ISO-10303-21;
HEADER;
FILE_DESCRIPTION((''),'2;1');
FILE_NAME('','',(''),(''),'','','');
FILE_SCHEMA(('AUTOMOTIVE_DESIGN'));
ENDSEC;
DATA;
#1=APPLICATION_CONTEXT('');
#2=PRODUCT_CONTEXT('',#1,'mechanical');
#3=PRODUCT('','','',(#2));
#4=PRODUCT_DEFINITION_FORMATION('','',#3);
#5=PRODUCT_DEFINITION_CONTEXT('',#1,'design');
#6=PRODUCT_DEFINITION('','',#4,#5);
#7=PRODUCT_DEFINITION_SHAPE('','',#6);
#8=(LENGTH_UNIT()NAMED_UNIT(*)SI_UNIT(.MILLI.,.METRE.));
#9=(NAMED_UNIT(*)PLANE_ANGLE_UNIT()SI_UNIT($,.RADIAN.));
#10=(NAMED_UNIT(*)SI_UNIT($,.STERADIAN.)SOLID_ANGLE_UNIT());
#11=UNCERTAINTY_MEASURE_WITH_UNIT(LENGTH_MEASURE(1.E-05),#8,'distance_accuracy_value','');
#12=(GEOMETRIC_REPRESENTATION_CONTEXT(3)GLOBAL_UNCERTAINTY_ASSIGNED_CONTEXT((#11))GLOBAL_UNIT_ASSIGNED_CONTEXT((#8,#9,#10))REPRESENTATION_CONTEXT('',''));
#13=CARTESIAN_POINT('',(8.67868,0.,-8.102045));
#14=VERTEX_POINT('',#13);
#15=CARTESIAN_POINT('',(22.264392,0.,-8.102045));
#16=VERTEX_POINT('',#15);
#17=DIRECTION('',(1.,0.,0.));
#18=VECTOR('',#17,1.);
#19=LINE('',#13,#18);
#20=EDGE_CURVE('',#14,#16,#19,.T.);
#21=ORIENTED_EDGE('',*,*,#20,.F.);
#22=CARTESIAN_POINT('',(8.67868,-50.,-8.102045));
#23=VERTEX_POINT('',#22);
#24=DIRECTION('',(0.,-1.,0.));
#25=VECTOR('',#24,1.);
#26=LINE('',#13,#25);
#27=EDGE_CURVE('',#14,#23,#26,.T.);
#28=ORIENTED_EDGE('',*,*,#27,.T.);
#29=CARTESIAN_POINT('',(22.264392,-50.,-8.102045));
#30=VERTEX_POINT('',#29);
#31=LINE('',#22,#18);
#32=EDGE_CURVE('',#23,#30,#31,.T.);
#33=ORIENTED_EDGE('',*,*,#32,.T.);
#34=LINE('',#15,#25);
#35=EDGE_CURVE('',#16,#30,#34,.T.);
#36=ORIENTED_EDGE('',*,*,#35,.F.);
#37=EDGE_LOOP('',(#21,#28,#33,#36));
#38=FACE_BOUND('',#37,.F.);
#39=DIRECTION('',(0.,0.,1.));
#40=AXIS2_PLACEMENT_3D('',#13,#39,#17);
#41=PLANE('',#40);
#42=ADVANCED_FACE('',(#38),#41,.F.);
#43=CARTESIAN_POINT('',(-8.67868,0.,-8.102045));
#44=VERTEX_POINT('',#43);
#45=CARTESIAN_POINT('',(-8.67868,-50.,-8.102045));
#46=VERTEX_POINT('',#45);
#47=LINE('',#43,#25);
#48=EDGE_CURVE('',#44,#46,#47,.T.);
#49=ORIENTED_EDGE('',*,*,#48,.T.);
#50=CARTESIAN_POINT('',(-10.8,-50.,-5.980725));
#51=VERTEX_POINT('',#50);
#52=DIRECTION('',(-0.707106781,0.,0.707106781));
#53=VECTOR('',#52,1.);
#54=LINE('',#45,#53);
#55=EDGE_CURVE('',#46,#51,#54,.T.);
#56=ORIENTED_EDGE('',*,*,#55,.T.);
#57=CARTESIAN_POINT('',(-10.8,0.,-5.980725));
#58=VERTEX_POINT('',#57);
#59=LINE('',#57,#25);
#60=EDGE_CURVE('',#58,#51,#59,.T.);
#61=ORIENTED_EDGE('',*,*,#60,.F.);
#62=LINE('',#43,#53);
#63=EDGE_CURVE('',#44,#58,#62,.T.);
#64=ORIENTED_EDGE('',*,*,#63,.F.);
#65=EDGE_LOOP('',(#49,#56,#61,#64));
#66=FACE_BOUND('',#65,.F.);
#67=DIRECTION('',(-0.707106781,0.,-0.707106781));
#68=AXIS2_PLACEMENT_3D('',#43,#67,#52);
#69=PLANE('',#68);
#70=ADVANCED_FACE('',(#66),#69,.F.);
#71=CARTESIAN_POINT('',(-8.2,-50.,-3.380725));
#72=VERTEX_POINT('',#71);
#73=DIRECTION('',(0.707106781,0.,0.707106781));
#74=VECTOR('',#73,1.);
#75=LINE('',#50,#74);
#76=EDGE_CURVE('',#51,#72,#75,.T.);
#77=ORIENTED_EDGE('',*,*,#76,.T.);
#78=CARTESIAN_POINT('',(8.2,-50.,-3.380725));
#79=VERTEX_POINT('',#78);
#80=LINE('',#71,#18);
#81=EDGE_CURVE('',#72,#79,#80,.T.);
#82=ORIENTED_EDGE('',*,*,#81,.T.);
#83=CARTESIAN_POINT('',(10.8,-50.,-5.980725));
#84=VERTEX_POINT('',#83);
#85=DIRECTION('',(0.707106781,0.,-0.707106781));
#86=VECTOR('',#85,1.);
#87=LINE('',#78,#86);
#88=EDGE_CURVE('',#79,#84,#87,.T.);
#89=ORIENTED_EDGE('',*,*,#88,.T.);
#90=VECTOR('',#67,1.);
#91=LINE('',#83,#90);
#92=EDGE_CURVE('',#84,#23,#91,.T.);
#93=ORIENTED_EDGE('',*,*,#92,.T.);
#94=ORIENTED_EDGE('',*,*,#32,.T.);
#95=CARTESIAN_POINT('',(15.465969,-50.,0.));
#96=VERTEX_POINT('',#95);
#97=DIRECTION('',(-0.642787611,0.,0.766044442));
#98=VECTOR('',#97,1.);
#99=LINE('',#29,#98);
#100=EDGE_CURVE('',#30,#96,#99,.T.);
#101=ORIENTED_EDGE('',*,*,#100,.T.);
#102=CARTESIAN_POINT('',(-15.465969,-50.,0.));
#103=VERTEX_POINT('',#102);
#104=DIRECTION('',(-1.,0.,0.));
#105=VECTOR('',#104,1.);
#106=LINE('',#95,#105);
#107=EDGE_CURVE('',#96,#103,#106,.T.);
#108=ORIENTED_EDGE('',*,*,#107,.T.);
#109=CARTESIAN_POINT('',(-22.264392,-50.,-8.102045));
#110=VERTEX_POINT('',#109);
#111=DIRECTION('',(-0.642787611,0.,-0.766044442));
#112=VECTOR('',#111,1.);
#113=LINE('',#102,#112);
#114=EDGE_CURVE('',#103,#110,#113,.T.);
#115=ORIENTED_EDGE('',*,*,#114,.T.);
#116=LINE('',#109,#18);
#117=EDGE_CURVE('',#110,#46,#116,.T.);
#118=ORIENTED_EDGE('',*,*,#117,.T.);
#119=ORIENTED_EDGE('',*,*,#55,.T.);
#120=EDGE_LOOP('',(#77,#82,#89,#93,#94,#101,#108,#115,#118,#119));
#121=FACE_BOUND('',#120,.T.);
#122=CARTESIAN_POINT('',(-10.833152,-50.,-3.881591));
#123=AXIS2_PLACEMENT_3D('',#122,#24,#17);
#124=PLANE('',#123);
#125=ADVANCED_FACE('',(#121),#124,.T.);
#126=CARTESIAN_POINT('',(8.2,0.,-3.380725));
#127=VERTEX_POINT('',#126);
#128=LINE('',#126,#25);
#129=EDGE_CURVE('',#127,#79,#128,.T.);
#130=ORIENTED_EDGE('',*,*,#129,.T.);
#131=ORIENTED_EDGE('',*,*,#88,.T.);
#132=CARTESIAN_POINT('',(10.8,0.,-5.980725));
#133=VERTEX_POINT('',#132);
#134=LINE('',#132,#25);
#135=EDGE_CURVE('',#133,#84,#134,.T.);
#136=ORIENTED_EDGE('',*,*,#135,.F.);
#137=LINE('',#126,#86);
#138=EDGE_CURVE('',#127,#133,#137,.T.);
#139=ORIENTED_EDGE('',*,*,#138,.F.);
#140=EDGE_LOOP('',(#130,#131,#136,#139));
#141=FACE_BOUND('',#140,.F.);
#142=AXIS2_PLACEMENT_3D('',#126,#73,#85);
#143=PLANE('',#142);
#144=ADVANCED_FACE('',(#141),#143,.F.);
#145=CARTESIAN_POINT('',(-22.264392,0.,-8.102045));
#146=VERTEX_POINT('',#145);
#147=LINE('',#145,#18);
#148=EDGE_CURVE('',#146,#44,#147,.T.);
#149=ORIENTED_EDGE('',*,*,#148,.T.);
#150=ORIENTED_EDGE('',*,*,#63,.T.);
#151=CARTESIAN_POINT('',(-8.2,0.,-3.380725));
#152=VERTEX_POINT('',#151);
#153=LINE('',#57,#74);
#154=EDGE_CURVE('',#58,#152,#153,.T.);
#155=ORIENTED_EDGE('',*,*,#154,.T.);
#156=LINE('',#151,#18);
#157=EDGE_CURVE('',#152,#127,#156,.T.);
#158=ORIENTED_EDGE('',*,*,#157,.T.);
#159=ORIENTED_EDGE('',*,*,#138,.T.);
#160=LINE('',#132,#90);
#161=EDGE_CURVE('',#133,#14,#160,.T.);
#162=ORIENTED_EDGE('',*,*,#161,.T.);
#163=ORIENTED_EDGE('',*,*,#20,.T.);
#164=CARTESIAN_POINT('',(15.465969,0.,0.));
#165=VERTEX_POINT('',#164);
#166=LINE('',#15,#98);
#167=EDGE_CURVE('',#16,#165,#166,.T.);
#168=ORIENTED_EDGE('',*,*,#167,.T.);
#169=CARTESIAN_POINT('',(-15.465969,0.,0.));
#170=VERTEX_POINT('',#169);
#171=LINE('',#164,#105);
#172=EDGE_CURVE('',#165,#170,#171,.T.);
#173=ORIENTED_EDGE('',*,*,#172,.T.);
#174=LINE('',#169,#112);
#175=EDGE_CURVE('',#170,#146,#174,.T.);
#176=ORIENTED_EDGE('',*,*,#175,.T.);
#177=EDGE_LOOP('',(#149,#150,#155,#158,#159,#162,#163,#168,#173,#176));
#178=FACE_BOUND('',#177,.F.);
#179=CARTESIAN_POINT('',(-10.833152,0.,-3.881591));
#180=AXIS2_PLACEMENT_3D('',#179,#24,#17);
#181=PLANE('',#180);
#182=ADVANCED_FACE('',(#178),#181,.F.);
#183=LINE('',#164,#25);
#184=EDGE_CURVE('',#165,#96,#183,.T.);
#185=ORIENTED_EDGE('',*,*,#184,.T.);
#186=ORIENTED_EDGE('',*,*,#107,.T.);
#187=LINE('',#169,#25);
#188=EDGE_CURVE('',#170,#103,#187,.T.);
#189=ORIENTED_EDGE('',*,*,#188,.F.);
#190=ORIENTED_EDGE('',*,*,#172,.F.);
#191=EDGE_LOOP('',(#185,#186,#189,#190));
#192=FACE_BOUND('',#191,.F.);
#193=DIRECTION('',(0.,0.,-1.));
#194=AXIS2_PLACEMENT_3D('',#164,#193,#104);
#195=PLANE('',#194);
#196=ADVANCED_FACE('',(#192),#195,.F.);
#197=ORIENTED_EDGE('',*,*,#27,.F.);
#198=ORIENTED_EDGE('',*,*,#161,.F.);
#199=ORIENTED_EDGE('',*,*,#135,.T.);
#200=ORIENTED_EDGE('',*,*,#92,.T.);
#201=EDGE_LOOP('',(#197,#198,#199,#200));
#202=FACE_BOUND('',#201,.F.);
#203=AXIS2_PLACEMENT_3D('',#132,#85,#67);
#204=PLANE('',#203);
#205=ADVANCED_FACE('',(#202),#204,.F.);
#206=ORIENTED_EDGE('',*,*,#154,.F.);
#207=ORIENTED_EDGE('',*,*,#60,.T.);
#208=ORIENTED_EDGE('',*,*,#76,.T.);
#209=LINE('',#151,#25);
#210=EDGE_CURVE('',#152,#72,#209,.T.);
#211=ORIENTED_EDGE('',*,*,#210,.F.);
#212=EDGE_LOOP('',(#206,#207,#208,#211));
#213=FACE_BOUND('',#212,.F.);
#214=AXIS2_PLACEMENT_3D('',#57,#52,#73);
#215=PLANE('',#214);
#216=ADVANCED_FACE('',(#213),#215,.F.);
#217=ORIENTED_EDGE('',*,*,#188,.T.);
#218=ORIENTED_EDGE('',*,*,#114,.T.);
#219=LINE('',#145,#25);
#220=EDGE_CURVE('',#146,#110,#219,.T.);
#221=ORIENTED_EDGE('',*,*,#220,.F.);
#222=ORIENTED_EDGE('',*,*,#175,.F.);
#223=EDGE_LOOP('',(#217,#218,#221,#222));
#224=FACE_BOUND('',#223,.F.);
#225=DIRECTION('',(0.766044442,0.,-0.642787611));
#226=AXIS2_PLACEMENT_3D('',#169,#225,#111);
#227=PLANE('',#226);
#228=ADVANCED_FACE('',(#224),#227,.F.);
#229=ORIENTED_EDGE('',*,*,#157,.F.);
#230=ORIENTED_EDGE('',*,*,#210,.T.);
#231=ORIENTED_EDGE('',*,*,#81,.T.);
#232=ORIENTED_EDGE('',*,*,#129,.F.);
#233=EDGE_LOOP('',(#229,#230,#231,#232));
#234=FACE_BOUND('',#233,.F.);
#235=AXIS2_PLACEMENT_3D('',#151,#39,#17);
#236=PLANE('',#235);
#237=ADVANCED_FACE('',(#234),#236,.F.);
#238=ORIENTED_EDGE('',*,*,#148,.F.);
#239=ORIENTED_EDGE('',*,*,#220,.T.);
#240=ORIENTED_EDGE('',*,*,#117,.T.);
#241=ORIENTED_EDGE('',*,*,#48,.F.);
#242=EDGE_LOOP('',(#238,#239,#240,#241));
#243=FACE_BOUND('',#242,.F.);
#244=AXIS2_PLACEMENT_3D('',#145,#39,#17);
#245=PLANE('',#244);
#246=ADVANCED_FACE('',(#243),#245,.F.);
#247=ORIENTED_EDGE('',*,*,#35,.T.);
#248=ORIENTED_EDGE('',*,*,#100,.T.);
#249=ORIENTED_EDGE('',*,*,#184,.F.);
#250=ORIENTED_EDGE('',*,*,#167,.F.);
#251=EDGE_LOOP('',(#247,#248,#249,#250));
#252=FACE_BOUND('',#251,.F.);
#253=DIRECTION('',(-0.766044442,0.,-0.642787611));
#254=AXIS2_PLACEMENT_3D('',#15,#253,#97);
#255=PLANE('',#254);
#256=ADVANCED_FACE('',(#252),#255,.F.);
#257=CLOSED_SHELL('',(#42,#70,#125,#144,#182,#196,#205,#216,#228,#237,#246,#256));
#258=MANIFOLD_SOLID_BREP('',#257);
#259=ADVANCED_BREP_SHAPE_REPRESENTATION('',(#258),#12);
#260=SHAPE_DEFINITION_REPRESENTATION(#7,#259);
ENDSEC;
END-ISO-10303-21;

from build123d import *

# Parameters (mm, degrees)
F1_DEPTH = 50


with BuildPart() as f1:
    # F0 (on Front) → F1 (new body)
    with BuildSketch(Plane.XZ):
        Polygon((-10.8, -5.980725), (-8.2, -3.380725), (0, -3.380725), (0, 0), (-15.465969, 0), (-22.264392, -8.102045), (-8.67868, -8.102045), align=None)
        Polygon((0, 0), (0, -3.380725), (8.2, -3.380725), (10.8, -5.980725), (8.67868, -8.102045), (22.264392, -8.102045), (15.465969, 0), align=None)
    extrude(amount=F1_DEPTH)


solid = f1.part
